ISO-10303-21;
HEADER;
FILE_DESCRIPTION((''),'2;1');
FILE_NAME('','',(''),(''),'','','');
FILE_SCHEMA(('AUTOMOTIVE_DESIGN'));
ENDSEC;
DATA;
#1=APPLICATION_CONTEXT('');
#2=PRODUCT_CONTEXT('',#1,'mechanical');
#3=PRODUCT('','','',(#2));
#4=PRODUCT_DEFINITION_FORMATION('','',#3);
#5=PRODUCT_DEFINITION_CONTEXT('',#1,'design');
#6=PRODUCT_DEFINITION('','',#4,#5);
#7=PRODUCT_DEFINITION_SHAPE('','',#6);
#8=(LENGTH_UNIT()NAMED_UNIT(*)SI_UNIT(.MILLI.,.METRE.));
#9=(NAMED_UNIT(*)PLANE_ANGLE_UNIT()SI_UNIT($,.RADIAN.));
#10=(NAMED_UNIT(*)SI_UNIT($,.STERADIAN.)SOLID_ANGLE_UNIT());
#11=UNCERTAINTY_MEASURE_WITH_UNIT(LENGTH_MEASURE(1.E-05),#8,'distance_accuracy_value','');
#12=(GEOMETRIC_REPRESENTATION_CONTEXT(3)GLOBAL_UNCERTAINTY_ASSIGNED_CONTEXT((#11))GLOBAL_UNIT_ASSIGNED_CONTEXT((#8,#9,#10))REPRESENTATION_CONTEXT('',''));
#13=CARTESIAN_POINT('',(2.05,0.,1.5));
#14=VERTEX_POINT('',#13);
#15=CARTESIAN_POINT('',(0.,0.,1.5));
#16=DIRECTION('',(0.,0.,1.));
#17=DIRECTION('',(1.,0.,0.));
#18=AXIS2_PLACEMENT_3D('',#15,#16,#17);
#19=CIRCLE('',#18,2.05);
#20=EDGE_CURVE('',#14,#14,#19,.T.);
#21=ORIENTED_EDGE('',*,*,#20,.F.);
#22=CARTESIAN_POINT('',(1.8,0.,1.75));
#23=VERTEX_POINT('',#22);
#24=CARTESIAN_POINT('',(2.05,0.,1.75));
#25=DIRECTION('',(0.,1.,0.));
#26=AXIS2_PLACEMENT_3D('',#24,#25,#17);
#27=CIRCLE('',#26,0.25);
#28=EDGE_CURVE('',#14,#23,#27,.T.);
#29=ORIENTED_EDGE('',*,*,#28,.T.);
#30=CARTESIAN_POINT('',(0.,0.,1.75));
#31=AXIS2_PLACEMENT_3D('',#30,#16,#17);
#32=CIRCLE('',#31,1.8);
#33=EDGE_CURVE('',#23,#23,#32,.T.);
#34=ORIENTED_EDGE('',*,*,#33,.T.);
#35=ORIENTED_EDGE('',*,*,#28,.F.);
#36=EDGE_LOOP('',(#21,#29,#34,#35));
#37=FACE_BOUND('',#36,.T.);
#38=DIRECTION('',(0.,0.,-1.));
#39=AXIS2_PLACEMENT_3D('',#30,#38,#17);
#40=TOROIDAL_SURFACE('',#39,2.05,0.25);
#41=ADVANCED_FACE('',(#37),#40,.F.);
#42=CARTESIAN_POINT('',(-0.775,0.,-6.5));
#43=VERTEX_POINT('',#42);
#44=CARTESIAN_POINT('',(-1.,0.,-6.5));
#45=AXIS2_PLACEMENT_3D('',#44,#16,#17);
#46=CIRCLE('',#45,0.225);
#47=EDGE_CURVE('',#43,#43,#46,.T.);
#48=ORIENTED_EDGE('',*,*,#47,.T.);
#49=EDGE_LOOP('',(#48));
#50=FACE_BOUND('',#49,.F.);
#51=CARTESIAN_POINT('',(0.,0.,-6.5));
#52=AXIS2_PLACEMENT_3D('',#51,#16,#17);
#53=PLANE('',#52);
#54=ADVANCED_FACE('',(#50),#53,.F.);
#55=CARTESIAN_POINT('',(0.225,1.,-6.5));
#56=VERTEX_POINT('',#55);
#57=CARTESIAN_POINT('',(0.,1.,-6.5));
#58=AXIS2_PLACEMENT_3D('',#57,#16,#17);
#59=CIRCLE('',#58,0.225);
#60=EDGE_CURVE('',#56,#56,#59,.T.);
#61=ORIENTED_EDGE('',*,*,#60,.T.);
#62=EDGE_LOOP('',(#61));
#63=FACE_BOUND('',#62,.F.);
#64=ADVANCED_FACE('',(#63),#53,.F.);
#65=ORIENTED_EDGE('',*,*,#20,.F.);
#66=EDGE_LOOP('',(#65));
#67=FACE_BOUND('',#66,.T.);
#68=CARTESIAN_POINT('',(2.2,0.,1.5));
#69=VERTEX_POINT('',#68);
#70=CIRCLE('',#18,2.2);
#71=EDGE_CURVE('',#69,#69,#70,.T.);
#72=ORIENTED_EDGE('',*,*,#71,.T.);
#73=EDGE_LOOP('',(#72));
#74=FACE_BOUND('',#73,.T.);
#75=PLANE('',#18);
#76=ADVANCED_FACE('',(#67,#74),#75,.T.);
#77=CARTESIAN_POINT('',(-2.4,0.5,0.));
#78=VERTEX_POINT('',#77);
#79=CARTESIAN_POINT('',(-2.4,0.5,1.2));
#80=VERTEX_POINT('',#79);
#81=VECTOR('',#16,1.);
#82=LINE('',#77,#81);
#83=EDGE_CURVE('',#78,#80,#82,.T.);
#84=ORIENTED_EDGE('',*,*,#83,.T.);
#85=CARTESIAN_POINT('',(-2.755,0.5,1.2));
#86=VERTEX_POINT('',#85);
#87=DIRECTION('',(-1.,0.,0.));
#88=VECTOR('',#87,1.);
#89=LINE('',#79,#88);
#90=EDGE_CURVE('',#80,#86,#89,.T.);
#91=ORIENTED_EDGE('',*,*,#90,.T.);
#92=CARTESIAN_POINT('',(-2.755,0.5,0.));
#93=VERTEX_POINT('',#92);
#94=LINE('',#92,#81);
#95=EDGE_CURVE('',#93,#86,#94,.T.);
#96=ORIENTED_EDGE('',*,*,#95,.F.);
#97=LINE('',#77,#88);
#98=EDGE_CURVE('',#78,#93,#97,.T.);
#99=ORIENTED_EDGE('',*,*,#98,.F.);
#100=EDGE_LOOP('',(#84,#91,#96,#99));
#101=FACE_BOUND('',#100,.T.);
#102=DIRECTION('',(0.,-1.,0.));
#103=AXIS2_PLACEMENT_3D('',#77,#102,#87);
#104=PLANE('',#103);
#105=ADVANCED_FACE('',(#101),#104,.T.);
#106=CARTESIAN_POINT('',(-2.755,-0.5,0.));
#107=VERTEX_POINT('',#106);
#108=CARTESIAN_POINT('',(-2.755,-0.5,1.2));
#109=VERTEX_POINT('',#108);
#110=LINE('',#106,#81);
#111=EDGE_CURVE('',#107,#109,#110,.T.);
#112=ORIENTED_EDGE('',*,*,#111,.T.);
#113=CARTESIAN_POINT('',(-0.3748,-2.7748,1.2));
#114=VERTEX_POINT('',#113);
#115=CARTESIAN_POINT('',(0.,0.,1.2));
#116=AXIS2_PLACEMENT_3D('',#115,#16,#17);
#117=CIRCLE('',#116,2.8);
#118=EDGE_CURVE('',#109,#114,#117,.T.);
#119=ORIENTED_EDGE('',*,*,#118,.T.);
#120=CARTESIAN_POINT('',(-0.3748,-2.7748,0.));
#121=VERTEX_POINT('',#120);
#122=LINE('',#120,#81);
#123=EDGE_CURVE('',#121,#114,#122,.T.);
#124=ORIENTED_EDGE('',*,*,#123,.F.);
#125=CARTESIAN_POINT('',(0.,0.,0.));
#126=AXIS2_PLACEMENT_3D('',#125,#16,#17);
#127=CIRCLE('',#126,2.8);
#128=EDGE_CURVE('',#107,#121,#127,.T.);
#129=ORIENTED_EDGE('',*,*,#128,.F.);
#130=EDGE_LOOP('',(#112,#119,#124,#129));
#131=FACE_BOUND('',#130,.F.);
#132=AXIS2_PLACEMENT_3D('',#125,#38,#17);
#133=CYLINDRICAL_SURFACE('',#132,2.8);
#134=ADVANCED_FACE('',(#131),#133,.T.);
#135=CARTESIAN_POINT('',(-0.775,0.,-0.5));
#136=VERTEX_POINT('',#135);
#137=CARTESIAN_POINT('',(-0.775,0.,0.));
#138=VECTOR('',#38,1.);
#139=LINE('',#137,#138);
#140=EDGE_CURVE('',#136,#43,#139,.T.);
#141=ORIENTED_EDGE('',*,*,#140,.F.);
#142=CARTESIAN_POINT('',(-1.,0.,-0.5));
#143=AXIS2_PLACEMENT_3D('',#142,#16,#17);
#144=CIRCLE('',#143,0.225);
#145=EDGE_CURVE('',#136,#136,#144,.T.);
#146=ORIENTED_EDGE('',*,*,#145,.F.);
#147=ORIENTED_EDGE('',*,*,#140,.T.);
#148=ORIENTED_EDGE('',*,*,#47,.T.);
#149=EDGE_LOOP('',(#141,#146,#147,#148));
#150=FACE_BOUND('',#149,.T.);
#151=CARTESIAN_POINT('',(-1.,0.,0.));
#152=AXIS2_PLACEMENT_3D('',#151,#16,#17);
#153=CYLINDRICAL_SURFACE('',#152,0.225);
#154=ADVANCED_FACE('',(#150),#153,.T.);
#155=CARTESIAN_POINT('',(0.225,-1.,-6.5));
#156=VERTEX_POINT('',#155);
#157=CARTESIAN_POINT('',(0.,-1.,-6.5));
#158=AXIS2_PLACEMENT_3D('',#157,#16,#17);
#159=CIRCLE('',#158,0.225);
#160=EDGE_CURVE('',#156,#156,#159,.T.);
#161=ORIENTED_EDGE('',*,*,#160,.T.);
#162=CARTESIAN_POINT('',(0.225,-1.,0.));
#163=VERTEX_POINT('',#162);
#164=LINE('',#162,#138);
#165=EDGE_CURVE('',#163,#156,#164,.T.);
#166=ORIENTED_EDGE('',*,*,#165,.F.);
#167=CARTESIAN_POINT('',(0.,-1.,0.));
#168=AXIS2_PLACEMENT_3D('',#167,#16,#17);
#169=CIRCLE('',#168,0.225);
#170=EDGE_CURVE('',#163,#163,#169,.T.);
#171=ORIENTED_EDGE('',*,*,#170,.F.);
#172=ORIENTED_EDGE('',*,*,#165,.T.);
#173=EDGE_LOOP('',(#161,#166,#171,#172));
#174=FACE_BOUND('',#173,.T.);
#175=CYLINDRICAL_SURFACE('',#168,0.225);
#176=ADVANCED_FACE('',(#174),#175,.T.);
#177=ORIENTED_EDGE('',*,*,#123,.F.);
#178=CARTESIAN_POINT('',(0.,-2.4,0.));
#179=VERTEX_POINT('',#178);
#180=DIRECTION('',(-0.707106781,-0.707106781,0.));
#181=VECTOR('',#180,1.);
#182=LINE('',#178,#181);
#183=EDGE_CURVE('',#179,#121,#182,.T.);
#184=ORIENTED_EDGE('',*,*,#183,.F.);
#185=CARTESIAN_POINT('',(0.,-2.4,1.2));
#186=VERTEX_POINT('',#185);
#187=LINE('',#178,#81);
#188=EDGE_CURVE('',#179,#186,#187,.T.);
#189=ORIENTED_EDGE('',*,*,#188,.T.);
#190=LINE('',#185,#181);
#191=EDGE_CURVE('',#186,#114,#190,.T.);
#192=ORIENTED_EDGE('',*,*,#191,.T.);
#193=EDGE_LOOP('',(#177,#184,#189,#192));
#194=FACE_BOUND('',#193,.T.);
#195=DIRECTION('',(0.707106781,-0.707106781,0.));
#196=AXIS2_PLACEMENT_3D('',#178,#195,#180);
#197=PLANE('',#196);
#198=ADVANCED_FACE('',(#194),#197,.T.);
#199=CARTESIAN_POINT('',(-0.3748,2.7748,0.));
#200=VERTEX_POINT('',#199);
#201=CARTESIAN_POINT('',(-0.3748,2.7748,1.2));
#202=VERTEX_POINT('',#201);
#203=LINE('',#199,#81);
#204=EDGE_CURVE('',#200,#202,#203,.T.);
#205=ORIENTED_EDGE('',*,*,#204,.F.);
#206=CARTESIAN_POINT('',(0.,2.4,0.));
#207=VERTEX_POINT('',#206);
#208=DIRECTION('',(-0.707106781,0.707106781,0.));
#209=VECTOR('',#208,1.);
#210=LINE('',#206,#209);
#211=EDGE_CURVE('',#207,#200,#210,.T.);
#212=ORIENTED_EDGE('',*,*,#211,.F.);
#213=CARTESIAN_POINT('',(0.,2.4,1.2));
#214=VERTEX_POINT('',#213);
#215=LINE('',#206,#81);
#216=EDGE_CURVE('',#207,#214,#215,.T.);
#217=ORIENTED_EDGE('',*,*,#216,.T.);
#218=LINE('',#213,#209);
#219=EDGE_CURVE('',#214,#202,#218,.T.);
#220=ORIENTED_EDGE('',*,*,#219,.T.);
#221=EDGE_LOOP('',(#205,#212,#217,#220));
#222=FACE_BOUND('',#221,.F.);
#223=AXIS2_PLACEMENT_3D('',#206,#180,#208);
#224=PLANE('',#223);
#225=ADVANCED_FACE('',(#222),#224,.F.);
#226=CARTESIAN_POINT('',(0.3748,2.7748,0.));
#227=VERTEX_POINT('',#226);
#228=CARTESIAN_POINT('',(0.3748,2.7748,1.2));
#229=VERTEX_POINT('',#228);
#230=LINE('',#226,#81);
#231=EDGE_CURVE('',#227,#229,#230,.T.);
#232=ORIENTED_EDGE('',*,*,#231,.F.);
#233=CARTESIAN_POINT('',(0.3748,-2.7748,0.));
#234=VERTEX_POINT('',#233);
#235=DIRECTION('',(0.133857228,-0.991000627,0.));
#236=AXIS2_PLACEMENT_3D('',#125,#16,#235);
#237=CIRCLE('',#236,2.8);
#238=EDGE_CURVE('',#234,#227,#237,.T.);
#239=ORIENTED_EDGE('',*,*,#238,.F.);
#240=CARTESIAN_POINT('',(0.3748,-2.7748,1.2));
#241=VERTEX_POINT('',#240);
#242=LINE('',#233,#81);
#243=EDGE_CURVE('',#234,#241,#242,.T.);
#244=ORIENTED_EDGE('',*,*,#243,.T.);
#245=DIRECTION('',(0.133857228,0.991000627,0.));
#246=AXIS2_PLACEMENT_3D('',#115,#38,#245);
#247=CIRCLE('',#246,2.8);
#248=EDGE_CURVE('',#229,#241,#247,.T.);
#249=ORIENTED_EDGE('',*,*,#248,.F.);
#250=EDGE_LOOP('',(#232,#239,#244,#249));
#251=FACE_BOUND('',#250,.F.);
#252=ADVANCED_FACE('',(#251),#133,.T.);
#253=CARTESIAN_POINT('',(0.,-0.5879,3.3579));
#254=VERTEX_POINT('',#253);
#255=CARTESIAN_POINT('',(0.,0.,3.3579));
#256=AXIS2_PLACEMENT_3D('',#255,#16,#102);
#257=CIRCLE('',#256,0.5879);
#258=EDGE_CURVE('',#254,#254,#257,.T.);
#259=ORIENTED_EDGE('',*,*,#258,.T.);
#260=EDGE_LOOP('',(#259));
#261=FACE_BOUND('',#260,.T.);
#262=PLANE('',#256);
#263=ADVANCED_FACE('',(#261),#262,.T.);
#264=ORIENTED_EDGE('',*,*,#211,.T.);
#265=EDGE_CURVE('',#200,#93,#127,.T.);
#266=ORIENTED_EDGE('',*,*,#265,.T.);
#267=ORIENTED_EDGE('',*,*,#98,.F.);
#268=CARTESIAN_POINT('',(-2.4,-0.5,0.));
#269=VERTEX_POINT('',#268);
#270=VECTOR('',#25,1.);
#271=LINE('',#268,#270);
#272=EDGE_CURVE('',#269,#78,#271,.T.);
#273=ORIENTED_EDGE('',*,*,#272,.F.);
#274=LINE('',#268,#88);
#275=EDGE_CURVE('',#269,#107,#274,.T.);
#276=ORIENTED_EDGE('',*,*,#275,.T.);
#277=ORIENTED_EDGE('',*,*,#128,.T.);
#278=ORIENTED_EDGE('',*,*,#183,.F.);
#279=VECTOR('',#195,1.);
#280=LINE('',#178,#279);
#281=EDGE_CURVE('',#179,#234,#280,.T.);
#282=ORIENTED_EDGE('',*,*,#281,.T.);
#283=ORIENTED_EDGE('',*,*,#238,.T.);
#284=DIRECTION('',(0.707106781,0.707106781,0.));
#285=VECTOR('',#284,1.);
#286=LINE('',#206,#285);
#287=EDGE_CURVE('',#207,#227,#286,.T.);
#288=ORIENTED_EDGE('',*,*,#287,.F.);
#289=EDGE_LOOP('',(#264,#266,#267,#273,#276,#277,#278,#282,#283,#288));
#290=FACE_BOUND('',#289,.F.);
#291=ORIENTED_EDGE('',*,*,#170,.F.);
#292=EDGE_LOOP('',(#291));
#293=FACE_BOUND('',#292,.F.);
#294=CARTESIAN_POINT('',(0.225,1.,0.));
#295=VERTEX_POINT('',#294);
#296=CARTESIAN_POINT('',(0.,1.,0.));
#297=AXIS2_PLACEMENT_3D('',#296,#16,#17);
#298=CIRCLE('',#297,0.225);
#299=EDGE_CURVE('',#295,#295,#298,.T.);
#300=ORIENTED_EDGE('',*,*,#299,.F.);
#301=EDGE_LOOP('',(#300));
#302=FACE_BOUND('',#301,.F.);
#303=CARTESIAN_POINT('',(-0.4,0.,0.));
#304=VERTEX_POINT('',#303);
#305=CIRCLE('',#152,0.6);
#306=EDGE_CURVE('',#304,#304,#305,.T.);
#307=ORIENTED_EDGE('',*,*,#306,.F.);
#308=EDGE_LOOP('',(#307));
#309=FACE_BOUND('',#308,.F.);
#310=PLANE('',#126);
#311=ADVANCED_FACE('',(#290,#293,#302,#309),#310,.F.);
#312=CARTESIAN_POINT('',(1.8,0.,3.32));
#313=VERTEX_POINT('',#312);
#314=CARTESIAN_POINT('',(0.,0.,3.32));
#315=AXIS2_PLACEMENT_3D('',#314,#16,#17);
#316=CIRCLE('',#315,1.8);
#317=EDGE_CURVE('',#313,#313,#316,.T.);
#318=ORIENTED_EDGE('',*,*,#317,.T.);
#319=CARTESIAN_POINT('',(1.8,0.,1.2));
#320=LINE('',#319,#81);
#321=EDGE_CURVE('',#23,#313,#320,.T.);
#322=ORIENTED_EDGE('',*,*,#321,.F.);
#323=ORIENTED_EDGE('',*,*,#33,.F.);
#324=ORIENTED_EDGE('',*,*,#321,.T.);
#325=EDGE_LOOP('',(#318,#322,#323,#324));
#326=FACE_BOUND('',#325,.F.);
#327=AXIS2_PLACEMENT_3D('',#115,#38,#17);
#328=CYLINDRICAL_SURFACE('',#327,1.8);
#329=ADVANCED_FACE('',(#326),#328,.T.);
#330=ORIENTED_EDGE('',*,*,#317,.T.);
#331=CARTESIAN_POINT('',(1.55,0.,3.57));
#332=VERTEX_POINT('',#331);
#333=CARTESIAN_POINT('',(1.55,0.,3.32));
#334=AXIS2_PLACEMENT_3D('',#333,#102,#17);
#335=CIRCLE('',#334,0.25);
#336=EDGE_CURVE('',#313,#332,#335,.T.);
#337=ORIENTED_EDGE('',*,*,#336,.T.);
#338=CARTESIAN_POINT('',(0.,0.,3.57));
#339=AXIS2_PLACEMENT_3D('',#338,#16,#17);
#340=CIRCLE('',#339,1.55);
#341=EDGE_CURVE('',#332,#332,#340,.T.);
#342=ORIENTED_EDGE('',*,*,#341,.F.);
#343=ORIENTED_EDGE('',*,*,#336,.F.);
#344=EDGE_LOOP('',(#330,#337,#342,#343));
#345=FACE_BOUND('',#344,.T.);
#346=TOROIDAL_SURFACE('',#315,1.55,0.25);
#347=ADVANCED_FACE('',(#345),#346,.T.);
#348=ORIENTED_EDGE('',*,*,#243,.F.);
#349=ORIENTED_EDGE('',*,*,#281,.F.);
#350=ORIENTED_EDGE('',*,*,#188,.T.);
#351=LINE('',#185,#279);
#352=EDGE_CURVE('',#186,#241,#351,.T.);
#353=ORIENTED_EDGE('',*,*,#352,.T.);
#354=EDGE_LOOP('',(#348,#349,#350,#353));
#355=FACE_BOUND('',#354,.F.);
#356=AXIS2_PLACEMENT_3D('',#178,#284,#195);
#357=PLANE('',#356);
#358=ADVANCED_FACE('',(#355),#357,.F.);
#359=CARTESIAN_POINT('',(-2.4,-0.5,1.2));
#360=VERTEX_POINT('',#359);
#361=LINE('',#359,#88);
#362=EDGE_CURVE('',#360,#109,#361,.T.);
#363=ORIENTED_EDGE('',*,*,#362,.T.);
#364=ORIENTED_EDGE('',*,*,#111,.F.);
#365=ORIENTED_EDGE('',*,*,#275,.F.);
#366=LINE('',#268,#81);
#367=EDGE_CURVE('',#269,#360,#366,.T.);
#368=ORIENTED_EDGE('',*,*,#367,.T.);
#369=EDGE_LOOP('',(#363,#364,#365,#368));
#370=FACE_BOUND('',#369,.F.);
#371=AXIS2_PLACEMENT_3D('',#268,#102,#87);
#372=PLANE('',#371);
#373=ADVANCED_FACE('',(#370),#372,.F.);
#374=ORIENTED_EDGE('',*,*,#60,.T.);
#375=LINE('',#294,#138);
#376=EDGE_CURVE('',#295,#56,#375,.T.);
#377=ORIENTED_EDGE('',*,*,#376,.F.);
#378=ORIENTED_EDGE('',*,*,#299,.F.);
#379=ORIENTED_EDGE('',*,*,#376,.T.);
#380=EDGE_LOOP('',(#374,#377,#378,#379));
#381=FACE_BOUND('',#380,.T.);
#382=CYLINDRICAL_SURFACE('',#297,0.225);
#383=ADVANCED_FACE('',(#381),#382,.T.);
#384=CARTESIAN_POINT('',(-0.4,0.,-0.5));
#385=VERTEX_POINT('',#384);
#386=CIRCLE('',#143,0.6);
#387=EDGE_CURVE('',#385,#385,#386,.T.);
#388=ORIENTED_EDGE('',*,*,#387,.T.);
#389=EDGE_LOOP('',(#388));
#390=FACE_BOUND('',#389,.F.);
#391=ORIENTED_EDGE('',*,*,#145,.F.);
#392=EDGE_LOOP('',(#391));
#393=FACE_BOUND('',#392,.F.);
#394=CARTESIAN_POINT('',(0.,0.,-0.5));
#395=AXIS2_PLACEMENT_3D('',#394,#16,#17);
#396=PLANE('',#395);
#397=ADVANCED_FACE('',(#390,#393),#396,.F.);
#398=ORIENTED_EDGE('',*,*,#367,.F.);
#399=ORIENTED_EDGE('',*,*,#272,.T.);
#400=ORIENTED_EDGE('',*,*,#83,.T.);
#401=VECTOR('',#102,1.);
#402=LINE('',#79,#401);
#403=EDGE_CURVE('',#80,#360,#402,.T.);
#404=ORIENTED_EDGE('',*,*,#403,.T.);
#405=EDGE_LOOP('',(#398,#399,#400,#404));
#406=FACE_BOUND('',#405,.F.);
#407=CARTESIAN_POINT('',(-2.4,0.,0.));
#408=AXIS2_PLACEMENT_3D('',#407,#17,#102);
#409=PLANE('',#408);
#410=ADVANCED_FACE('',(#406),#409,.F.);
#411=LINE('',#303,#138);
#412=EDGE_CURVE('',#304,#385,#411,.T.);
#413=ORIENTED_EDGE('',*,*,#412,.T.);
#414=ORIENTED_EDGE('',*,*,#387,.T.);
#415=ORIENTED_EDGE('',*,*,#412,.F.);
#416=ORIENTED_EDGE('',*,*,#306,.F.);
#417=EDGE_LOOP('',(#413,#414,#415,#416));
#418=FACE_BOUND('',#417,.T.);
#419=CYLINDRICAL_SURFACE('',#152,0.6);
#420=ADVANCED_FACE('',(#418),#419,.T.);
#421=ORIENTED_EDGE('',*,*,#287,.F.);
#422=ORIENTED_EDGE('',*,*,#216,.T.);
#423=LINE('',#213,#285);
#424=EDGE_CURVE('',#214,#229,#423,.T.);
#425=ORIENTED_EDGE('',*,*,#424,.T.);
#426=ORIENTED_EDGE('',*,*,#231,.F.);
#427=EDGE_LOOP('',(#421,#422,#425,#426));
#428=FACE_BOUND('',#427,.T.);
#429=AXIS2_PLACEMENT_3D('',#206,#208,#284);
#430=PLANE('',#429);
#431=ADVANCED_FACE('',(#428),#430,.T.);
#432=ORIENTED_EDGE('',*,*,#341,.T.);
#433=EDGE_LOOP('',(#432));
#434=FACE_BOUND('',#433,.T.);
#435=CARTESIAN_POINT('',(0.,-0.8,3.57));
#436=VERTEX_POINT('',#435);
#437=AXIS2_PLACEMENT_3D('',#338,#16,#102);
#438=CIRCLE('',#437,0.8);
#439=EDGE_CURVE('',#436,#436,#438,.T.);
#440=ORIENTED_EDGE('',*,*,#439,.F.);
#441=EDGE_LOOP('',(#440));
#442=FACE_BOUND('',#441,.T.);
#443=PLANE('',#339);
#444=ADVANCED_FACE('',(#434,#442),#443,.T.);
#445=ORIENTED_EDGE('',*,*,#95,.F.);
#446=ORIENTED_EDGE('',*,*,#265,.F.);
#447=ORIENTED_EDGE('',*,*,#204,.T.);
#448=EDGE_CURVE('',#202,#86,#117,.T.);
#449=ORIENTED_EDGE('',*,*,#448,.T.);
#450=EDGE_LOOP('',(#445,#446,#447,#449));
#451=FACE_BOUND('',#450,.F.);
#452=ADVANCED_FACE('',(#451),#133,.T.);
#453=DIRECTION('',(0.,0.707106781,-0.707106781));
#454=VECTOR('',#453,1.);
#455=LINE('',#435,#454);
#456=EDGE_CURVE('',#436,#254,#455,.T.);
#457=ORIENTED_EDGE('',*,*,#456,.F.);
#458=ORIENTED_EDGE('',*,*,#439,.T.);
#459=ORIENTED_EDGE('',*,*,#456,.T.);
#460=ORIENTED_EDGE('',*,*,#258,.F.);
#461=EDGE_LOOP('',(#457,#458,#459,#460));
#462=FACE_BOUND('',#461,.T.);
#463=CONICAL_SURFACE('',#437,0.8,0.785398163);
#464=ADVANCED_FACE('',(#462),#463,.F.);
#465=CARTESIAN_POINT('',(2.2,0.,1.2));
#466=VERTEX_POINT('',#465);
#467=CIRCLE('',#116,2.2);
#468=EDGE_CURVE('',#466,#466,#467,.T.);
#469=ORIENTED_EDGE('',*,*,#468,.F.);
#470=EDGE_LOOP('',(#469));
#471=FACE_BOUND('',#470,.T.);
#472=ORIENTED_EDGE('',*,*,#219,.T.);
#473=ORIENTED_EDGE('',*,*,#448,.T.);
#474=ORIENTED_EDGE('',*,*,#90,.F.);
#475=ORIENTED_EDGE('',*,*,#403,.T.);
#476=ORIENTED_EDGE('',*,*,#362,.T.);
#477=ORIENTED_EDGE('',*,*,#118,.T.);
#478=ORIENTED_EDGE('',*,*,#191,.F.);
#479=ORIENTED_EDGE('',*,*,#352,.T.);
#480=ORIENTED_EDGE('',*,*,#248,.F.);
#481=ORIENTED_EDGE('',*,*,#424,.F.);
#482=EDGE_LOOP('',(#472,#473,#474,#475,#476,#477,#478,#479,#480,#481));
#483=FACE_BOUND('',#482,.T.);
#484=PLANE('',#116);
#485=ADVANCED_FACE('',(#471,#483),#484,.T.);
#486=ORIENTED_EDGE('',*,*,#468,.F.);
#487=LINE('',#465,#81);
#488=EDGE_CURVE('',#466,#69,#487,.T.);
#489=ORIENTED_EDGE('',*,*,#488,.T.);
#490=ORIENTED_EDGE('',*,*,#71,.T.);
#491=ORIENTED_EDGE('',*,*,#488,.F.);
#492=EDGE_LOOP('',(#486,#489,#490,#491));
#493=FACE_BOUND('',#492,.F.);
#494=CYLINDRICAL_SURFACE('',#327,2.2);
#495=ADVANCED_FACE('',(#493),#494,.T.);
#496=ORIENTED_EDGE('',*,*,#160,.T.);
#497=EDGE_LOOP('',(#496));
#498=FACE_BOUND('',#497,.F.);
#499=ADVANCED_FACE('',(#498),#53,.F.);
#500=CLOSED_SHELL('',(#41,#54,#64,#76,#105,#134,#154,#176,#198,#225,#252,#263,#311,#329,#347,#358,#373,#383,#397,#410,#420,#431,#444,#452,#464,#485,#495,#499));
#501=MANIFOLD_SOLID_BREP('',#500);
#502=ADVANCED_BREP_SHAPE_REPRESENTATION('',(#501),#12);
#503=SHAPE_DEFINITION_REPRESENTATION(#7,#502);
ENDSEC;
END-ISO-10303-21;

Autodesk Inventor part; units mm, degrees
ref_plane "YZ Plane" through (0, 0, 0) normal (1, 0, 0) x (0, 1, 0)
ref_plane "XZ Plane" through (0, 0, 0) normal (0, 1, 0) x (-1, 0, 0)
ref_plane "XY Plane" through (0, 0, 0) normal (0, 0, 1) x (1, 0, 0)
sketch "草图1" plane through (0, 0, 0) normal (0, 0, 1) x (1, 0, 0)
  circle A0 centre (0, 0) radius 2.8
  circle A1 centre (0, 0) radius 1 construction
  line L0 (0, 2.8) -> (0, 2.4)
  line L1 (0, 2.4) -> (0.3748, 2.7748)
  line L2 (0, 2.4) -> (-0.3748, 2.7748)
  line L3 (0, 2.4) -> (0.53, 2.4) construction
  line L4 (0, 0) -> (0, 2.8) construction
  line L5 (0, 0) -> (-2.8, 0) construction
  line L6 (0, 0) -> (0, -2.8) construction
  circle A2 centre (0, 1) radius 0.225
  circle A3 centre (0, -1) radius 0.225
  circle A4 centre (-1, 0) radius 0.225
  circle A5 centre (-1, 0) radius 0.6
  line L7 (0, -2.8) -> (0, -2.4)
  line L8 (0, -2.4) -> (0.3748, -2.7748)
  line L9 (0, -2.4) -> (-0.3748, -2.7748)
  line L10 (0, -2.4) -> (0.53, -2.4) construction
  line L11 (-2.4, 0) -> (-2.4, 0.5)
  line L12 (-2.4, 0.5) -> (-2.755, 0.5)
  line L13 (-2.4, 0) -> (-2.4, -0.5)
  line L14 (-2.4, -0.5) -> (-2.755, -0.5)
  point P0 (-0.3748, -2.7748)
  point P1 (0.3748, -2.7748)
  dimension "d0" = 5.6
  dimension "d1" = 2
  dimension "d5" = 0.4
  dimension "d6" = 45
  dimension "d7" = 135
  dimension "d8" = 0.45
  dimension "d9" = 0.45
  dimension "d10" = 0.45
  dimension "d11" = 1.2
  dimension "d12" = 0.5
  dimension "d13" = 0.5
  dimension "d14" = 0.4
extrude "拉伸1" add sketch "草图1" along normal blind 1.2 contours A0 L8 L9 L14 L13 L11 L12 L2 L1 | A2 | A3 | A4 | A5
extrude "拉伸2" add sketch "草图1" against normal blind 6.5 contours A2 | A3 | A4
extrude "拉伸3" add sketch "草图1" against normal blind 0.5 contours A5
sketch "草图2" plane through (0, 0, 1.2) normal (0, 0, 1) x (1, 0, 0)
  circle A0 centre (0, 0) radius 1.8
  circle A1 centre (0, 0) radius 2.2
  dimension "d21" = 3.6
  dimension "d22" = 4.4
extrude "拉伸4" add sketch "草图2" along normal blind 2.37 contours A0
extrude "拉伸5" add sketch "草图2" along normal blind 0.3
sketch "草图3" plane through (0, 0, 0) normal (1, 0, 0) x (0, 1, 0)
  line L0 (1.8, 3.57) -> (-1.8, 3.57) projected
  line L1 (0, 3.57) -> (-0.8, 3.57)
  line L2 (-0.8, 3.57) -> (-0.5879, 3.3579)
  line L3 (-0.5879, 3.3579) -> (0, 3.3579)
  line L4 (0, 3.3579) -> (0, 3.57)
  point P0 (0, 0)
  dimension "d27" = 0.8
  dimension "d28" = 0.3
  dimension "d29" = 45
revolve "旋转1" cut sketch "草图3" angle 360 about axis through (0, 0, 3.3579) along (0, 0, 1)
fillet "圆角1" radius 0.25 2 edges at (-1.8, 0, 3.57) (-1.8, 0, 1.5)
properties part number "CAN_φ5.6" material "黄铜，软黄"
